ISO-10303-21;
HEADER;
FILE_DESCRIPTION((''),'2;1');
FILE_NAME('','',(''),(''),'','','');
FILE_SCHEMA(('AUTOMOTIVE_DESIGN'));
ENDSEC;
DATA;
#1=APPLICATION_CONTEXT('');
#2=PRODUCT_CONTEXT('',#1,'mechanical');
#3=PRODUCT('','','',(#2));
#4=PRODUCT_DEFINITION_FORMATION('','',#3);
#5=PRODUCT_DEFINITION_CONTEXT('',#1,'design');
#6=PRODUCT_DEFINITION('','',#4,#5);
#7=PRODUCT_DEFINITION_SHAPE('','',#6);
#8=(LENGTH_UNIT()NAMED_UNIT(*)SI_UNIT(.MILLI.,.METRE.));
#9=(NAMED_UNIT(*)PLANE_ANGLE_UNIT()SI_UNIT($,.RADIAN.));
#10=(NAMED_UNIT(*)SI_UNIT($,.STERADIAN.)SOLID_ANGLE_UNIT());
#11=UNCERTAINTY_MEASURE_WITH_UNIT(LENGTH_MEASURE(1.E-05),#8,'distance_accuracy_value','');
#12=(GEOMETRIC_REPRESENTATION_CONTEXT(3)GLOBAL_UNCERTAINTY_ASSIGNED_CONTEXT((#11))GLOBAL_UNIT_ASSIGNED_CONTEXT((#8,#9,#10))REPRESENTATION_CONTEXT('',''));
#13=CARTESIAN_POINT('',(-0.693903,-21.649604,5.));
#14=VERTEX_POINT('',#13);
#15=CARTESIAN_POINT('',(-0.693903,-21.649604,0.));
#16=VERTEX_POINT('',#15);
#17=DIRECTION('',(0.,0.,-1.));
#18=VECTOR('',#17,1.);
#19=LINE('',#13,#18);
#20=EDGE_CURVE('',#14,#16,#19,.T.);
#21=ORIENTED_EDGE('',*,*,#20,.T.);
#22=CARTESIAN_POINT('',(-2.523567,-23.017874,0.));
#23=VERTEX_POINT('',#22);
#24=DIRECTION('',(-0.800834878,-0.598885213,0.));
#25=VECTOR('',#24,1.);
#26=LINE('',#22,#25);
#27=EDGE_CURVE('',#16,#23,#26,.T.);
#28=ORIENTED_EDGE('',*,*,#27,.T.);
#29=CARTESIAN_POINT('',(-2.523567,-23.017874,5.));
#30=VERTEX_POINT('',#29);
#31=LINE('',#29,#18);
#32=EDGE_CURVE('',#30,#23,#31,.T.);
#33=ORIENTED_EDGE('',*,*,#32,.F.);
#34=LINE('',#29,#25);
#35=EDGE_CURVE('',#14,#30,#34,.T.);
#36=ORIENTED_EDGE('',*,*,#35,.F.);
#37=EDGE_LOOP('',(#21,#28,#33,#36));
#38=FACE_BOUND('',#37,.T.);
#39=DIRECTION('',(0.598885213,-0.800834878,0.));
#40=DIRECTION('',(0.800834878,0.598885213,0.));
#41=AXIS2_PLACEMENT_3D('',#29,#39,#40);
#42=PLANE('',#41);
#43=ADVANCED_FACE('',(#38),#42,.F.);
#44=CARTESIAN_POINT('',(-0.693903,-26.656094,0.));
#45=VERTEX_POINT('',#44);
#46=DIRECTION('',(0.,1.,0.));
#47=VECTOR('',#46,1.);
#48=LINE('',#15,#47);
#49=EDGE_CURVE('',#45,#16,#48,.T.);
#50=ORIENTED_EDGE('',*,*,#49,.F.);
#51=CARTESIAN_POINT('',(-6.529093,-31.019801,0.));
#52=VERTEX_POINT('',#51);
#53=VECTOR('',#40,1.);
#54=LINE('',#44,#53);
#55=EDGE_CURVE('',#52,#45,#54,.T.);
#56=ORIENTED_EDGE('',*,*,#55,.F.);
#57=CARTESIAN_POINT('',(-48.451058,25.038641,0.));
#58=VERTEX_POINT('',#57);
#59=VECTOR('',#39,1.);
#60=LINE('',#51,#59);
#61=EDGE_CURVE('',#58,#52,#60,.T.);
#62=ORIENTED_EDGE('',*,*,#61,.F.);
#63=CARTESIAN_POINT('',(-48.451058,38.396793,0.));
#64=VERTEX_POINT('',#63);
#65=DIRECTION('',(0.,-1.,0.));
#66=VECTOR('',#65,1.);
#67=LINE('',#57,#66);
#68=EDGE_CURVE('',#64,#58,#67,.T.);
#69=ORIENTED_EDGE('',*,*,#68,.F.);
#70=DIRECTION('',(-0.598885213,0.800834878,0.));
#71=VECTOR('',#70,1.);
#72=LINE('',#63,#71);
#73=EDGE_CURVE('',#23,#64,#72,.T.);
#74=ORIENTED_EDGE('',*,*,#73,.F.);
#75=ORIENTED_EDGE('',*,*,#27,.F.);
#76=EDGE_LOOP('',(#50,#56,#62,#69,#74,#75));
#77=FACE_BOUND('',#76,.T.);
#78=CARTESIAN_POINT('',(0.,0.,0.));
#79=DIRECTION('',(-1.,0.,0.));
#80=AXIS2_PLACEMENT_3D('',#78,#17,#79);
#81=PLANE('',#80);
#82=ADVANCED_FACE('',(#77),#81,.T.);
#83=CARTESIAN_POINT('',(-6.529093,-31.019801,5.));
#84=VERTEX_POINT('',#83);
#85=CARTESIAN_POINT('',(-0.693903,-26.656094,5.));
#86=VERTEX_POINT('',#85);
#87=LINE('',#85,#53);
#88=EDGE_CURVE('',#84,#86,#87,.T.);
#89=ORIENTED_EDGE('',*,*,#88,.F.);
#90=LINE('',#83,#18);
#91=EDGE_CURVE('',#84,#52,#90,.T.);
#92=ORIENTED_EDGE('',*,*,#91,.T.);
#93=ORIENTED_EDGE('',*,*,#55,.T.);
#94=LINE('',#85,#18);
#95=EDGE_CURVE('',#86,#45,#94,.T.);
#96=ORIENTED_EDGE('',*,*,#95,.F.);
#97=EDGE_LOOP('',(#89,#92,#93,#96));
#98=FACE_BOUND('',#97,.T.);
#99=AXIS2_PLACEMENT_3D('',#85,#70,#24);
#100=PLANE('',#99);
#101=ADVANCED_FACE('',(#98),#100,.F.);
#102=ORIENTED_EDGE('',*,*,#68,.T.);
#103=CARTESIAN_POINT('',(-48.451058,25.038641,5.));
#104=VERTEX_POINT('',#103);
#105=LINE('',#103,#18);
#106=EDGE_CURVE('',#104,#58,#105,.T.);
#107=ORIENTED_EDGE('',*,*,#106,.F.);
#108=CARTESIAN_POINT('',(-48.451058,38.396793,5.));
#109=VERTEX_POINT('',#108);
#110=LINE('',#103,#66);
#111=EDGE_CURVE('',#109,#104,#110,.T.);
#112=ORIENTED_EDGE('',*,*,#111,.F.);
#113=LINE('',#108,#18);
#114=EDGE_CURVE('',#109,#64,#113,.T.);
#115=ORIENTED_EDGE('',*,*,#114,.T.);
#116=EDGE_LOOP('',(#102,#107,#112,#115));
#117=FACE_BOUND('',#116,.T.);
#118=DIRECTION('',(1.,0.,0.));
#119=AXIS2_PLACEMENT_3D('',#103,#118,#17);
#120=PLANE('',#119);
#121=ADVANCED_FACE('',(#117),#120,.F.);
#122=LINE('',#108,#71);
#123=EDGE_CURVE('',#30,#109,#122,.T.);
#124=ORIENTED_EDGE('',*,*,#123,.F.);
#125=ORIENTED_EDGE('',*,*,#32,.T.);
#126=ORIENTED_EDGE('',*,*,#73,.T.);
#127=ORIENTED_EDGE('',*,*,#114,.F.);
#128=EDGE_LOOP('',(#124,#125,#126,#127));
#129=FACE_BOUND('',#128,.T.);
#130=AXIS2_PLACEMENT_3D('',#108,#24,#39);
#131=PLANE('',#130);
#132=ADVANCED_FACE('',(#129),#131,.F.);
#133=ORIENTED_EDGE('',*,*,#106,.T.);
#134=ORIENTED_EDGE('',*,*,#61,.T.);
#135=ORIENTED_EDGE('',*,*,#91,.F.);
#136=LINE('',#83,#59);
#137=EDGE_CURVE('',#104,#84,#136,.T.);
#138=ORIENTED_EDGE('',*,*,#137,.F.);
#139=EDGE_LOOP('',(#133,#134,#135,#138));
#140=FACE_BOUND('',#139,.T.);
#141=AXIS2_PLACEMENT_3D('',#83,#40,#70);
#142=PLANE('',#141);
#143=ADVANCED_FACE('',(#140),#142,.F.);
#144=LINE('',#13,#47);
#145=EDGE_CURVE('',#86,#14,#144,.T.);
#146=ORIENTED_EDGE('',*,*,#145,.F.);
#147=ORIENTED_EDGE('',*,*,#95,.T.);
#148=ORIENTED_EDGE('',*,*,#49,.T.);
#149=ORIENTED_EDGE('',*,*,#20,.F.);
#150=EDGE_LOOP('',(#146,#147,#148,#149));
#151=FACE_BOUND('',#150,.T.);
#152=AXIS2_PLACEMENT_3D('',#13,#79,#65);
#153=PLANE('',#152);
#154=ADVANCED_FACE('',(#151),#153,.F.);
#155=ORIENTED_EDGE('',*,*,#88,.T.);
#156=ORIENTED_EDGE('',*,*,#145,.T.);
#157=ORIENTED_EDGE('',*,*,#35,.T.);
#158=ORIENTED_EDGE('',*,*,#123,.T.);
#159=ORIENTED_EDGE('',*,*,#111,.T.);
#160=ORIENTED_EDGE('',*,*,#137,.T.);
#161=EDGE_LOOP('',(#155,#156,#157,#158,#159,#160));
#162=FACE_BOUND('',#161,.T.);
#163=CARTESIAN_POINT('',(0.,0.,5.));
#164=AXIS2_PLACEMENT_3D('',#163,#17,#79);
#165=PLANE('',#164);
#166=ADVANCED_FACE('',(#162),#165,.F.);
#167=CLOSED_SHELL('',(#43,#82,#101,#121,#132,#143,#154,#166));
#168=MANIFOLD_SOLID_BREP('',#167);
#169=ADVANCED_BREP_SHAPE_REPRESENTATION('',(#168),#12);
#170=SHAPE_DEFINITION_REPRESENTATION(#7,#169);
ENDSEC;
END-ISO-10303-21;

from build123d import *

# Parameters (mm, degrees)
SALIENTE_EXTRUIR1_DEPTH = 5


with BuildPart() as part:
    # Croquis1 → Saliente-Extruir1 (new body)
    with BuildSketch(Plane.XY):
        Polygon((-48.451057668, 38.396793067), (-2.523567422, -23.017874122), (-0.693903445, -21.649603669), (-0.693903445, -26.656094086), (-6.529092756, -31.019800875), (-48.451057668, 25.038640576), align=None)
    extrude(amount=SALIENTE_EXTRUIR1_DEPTH)


solid = part.part
